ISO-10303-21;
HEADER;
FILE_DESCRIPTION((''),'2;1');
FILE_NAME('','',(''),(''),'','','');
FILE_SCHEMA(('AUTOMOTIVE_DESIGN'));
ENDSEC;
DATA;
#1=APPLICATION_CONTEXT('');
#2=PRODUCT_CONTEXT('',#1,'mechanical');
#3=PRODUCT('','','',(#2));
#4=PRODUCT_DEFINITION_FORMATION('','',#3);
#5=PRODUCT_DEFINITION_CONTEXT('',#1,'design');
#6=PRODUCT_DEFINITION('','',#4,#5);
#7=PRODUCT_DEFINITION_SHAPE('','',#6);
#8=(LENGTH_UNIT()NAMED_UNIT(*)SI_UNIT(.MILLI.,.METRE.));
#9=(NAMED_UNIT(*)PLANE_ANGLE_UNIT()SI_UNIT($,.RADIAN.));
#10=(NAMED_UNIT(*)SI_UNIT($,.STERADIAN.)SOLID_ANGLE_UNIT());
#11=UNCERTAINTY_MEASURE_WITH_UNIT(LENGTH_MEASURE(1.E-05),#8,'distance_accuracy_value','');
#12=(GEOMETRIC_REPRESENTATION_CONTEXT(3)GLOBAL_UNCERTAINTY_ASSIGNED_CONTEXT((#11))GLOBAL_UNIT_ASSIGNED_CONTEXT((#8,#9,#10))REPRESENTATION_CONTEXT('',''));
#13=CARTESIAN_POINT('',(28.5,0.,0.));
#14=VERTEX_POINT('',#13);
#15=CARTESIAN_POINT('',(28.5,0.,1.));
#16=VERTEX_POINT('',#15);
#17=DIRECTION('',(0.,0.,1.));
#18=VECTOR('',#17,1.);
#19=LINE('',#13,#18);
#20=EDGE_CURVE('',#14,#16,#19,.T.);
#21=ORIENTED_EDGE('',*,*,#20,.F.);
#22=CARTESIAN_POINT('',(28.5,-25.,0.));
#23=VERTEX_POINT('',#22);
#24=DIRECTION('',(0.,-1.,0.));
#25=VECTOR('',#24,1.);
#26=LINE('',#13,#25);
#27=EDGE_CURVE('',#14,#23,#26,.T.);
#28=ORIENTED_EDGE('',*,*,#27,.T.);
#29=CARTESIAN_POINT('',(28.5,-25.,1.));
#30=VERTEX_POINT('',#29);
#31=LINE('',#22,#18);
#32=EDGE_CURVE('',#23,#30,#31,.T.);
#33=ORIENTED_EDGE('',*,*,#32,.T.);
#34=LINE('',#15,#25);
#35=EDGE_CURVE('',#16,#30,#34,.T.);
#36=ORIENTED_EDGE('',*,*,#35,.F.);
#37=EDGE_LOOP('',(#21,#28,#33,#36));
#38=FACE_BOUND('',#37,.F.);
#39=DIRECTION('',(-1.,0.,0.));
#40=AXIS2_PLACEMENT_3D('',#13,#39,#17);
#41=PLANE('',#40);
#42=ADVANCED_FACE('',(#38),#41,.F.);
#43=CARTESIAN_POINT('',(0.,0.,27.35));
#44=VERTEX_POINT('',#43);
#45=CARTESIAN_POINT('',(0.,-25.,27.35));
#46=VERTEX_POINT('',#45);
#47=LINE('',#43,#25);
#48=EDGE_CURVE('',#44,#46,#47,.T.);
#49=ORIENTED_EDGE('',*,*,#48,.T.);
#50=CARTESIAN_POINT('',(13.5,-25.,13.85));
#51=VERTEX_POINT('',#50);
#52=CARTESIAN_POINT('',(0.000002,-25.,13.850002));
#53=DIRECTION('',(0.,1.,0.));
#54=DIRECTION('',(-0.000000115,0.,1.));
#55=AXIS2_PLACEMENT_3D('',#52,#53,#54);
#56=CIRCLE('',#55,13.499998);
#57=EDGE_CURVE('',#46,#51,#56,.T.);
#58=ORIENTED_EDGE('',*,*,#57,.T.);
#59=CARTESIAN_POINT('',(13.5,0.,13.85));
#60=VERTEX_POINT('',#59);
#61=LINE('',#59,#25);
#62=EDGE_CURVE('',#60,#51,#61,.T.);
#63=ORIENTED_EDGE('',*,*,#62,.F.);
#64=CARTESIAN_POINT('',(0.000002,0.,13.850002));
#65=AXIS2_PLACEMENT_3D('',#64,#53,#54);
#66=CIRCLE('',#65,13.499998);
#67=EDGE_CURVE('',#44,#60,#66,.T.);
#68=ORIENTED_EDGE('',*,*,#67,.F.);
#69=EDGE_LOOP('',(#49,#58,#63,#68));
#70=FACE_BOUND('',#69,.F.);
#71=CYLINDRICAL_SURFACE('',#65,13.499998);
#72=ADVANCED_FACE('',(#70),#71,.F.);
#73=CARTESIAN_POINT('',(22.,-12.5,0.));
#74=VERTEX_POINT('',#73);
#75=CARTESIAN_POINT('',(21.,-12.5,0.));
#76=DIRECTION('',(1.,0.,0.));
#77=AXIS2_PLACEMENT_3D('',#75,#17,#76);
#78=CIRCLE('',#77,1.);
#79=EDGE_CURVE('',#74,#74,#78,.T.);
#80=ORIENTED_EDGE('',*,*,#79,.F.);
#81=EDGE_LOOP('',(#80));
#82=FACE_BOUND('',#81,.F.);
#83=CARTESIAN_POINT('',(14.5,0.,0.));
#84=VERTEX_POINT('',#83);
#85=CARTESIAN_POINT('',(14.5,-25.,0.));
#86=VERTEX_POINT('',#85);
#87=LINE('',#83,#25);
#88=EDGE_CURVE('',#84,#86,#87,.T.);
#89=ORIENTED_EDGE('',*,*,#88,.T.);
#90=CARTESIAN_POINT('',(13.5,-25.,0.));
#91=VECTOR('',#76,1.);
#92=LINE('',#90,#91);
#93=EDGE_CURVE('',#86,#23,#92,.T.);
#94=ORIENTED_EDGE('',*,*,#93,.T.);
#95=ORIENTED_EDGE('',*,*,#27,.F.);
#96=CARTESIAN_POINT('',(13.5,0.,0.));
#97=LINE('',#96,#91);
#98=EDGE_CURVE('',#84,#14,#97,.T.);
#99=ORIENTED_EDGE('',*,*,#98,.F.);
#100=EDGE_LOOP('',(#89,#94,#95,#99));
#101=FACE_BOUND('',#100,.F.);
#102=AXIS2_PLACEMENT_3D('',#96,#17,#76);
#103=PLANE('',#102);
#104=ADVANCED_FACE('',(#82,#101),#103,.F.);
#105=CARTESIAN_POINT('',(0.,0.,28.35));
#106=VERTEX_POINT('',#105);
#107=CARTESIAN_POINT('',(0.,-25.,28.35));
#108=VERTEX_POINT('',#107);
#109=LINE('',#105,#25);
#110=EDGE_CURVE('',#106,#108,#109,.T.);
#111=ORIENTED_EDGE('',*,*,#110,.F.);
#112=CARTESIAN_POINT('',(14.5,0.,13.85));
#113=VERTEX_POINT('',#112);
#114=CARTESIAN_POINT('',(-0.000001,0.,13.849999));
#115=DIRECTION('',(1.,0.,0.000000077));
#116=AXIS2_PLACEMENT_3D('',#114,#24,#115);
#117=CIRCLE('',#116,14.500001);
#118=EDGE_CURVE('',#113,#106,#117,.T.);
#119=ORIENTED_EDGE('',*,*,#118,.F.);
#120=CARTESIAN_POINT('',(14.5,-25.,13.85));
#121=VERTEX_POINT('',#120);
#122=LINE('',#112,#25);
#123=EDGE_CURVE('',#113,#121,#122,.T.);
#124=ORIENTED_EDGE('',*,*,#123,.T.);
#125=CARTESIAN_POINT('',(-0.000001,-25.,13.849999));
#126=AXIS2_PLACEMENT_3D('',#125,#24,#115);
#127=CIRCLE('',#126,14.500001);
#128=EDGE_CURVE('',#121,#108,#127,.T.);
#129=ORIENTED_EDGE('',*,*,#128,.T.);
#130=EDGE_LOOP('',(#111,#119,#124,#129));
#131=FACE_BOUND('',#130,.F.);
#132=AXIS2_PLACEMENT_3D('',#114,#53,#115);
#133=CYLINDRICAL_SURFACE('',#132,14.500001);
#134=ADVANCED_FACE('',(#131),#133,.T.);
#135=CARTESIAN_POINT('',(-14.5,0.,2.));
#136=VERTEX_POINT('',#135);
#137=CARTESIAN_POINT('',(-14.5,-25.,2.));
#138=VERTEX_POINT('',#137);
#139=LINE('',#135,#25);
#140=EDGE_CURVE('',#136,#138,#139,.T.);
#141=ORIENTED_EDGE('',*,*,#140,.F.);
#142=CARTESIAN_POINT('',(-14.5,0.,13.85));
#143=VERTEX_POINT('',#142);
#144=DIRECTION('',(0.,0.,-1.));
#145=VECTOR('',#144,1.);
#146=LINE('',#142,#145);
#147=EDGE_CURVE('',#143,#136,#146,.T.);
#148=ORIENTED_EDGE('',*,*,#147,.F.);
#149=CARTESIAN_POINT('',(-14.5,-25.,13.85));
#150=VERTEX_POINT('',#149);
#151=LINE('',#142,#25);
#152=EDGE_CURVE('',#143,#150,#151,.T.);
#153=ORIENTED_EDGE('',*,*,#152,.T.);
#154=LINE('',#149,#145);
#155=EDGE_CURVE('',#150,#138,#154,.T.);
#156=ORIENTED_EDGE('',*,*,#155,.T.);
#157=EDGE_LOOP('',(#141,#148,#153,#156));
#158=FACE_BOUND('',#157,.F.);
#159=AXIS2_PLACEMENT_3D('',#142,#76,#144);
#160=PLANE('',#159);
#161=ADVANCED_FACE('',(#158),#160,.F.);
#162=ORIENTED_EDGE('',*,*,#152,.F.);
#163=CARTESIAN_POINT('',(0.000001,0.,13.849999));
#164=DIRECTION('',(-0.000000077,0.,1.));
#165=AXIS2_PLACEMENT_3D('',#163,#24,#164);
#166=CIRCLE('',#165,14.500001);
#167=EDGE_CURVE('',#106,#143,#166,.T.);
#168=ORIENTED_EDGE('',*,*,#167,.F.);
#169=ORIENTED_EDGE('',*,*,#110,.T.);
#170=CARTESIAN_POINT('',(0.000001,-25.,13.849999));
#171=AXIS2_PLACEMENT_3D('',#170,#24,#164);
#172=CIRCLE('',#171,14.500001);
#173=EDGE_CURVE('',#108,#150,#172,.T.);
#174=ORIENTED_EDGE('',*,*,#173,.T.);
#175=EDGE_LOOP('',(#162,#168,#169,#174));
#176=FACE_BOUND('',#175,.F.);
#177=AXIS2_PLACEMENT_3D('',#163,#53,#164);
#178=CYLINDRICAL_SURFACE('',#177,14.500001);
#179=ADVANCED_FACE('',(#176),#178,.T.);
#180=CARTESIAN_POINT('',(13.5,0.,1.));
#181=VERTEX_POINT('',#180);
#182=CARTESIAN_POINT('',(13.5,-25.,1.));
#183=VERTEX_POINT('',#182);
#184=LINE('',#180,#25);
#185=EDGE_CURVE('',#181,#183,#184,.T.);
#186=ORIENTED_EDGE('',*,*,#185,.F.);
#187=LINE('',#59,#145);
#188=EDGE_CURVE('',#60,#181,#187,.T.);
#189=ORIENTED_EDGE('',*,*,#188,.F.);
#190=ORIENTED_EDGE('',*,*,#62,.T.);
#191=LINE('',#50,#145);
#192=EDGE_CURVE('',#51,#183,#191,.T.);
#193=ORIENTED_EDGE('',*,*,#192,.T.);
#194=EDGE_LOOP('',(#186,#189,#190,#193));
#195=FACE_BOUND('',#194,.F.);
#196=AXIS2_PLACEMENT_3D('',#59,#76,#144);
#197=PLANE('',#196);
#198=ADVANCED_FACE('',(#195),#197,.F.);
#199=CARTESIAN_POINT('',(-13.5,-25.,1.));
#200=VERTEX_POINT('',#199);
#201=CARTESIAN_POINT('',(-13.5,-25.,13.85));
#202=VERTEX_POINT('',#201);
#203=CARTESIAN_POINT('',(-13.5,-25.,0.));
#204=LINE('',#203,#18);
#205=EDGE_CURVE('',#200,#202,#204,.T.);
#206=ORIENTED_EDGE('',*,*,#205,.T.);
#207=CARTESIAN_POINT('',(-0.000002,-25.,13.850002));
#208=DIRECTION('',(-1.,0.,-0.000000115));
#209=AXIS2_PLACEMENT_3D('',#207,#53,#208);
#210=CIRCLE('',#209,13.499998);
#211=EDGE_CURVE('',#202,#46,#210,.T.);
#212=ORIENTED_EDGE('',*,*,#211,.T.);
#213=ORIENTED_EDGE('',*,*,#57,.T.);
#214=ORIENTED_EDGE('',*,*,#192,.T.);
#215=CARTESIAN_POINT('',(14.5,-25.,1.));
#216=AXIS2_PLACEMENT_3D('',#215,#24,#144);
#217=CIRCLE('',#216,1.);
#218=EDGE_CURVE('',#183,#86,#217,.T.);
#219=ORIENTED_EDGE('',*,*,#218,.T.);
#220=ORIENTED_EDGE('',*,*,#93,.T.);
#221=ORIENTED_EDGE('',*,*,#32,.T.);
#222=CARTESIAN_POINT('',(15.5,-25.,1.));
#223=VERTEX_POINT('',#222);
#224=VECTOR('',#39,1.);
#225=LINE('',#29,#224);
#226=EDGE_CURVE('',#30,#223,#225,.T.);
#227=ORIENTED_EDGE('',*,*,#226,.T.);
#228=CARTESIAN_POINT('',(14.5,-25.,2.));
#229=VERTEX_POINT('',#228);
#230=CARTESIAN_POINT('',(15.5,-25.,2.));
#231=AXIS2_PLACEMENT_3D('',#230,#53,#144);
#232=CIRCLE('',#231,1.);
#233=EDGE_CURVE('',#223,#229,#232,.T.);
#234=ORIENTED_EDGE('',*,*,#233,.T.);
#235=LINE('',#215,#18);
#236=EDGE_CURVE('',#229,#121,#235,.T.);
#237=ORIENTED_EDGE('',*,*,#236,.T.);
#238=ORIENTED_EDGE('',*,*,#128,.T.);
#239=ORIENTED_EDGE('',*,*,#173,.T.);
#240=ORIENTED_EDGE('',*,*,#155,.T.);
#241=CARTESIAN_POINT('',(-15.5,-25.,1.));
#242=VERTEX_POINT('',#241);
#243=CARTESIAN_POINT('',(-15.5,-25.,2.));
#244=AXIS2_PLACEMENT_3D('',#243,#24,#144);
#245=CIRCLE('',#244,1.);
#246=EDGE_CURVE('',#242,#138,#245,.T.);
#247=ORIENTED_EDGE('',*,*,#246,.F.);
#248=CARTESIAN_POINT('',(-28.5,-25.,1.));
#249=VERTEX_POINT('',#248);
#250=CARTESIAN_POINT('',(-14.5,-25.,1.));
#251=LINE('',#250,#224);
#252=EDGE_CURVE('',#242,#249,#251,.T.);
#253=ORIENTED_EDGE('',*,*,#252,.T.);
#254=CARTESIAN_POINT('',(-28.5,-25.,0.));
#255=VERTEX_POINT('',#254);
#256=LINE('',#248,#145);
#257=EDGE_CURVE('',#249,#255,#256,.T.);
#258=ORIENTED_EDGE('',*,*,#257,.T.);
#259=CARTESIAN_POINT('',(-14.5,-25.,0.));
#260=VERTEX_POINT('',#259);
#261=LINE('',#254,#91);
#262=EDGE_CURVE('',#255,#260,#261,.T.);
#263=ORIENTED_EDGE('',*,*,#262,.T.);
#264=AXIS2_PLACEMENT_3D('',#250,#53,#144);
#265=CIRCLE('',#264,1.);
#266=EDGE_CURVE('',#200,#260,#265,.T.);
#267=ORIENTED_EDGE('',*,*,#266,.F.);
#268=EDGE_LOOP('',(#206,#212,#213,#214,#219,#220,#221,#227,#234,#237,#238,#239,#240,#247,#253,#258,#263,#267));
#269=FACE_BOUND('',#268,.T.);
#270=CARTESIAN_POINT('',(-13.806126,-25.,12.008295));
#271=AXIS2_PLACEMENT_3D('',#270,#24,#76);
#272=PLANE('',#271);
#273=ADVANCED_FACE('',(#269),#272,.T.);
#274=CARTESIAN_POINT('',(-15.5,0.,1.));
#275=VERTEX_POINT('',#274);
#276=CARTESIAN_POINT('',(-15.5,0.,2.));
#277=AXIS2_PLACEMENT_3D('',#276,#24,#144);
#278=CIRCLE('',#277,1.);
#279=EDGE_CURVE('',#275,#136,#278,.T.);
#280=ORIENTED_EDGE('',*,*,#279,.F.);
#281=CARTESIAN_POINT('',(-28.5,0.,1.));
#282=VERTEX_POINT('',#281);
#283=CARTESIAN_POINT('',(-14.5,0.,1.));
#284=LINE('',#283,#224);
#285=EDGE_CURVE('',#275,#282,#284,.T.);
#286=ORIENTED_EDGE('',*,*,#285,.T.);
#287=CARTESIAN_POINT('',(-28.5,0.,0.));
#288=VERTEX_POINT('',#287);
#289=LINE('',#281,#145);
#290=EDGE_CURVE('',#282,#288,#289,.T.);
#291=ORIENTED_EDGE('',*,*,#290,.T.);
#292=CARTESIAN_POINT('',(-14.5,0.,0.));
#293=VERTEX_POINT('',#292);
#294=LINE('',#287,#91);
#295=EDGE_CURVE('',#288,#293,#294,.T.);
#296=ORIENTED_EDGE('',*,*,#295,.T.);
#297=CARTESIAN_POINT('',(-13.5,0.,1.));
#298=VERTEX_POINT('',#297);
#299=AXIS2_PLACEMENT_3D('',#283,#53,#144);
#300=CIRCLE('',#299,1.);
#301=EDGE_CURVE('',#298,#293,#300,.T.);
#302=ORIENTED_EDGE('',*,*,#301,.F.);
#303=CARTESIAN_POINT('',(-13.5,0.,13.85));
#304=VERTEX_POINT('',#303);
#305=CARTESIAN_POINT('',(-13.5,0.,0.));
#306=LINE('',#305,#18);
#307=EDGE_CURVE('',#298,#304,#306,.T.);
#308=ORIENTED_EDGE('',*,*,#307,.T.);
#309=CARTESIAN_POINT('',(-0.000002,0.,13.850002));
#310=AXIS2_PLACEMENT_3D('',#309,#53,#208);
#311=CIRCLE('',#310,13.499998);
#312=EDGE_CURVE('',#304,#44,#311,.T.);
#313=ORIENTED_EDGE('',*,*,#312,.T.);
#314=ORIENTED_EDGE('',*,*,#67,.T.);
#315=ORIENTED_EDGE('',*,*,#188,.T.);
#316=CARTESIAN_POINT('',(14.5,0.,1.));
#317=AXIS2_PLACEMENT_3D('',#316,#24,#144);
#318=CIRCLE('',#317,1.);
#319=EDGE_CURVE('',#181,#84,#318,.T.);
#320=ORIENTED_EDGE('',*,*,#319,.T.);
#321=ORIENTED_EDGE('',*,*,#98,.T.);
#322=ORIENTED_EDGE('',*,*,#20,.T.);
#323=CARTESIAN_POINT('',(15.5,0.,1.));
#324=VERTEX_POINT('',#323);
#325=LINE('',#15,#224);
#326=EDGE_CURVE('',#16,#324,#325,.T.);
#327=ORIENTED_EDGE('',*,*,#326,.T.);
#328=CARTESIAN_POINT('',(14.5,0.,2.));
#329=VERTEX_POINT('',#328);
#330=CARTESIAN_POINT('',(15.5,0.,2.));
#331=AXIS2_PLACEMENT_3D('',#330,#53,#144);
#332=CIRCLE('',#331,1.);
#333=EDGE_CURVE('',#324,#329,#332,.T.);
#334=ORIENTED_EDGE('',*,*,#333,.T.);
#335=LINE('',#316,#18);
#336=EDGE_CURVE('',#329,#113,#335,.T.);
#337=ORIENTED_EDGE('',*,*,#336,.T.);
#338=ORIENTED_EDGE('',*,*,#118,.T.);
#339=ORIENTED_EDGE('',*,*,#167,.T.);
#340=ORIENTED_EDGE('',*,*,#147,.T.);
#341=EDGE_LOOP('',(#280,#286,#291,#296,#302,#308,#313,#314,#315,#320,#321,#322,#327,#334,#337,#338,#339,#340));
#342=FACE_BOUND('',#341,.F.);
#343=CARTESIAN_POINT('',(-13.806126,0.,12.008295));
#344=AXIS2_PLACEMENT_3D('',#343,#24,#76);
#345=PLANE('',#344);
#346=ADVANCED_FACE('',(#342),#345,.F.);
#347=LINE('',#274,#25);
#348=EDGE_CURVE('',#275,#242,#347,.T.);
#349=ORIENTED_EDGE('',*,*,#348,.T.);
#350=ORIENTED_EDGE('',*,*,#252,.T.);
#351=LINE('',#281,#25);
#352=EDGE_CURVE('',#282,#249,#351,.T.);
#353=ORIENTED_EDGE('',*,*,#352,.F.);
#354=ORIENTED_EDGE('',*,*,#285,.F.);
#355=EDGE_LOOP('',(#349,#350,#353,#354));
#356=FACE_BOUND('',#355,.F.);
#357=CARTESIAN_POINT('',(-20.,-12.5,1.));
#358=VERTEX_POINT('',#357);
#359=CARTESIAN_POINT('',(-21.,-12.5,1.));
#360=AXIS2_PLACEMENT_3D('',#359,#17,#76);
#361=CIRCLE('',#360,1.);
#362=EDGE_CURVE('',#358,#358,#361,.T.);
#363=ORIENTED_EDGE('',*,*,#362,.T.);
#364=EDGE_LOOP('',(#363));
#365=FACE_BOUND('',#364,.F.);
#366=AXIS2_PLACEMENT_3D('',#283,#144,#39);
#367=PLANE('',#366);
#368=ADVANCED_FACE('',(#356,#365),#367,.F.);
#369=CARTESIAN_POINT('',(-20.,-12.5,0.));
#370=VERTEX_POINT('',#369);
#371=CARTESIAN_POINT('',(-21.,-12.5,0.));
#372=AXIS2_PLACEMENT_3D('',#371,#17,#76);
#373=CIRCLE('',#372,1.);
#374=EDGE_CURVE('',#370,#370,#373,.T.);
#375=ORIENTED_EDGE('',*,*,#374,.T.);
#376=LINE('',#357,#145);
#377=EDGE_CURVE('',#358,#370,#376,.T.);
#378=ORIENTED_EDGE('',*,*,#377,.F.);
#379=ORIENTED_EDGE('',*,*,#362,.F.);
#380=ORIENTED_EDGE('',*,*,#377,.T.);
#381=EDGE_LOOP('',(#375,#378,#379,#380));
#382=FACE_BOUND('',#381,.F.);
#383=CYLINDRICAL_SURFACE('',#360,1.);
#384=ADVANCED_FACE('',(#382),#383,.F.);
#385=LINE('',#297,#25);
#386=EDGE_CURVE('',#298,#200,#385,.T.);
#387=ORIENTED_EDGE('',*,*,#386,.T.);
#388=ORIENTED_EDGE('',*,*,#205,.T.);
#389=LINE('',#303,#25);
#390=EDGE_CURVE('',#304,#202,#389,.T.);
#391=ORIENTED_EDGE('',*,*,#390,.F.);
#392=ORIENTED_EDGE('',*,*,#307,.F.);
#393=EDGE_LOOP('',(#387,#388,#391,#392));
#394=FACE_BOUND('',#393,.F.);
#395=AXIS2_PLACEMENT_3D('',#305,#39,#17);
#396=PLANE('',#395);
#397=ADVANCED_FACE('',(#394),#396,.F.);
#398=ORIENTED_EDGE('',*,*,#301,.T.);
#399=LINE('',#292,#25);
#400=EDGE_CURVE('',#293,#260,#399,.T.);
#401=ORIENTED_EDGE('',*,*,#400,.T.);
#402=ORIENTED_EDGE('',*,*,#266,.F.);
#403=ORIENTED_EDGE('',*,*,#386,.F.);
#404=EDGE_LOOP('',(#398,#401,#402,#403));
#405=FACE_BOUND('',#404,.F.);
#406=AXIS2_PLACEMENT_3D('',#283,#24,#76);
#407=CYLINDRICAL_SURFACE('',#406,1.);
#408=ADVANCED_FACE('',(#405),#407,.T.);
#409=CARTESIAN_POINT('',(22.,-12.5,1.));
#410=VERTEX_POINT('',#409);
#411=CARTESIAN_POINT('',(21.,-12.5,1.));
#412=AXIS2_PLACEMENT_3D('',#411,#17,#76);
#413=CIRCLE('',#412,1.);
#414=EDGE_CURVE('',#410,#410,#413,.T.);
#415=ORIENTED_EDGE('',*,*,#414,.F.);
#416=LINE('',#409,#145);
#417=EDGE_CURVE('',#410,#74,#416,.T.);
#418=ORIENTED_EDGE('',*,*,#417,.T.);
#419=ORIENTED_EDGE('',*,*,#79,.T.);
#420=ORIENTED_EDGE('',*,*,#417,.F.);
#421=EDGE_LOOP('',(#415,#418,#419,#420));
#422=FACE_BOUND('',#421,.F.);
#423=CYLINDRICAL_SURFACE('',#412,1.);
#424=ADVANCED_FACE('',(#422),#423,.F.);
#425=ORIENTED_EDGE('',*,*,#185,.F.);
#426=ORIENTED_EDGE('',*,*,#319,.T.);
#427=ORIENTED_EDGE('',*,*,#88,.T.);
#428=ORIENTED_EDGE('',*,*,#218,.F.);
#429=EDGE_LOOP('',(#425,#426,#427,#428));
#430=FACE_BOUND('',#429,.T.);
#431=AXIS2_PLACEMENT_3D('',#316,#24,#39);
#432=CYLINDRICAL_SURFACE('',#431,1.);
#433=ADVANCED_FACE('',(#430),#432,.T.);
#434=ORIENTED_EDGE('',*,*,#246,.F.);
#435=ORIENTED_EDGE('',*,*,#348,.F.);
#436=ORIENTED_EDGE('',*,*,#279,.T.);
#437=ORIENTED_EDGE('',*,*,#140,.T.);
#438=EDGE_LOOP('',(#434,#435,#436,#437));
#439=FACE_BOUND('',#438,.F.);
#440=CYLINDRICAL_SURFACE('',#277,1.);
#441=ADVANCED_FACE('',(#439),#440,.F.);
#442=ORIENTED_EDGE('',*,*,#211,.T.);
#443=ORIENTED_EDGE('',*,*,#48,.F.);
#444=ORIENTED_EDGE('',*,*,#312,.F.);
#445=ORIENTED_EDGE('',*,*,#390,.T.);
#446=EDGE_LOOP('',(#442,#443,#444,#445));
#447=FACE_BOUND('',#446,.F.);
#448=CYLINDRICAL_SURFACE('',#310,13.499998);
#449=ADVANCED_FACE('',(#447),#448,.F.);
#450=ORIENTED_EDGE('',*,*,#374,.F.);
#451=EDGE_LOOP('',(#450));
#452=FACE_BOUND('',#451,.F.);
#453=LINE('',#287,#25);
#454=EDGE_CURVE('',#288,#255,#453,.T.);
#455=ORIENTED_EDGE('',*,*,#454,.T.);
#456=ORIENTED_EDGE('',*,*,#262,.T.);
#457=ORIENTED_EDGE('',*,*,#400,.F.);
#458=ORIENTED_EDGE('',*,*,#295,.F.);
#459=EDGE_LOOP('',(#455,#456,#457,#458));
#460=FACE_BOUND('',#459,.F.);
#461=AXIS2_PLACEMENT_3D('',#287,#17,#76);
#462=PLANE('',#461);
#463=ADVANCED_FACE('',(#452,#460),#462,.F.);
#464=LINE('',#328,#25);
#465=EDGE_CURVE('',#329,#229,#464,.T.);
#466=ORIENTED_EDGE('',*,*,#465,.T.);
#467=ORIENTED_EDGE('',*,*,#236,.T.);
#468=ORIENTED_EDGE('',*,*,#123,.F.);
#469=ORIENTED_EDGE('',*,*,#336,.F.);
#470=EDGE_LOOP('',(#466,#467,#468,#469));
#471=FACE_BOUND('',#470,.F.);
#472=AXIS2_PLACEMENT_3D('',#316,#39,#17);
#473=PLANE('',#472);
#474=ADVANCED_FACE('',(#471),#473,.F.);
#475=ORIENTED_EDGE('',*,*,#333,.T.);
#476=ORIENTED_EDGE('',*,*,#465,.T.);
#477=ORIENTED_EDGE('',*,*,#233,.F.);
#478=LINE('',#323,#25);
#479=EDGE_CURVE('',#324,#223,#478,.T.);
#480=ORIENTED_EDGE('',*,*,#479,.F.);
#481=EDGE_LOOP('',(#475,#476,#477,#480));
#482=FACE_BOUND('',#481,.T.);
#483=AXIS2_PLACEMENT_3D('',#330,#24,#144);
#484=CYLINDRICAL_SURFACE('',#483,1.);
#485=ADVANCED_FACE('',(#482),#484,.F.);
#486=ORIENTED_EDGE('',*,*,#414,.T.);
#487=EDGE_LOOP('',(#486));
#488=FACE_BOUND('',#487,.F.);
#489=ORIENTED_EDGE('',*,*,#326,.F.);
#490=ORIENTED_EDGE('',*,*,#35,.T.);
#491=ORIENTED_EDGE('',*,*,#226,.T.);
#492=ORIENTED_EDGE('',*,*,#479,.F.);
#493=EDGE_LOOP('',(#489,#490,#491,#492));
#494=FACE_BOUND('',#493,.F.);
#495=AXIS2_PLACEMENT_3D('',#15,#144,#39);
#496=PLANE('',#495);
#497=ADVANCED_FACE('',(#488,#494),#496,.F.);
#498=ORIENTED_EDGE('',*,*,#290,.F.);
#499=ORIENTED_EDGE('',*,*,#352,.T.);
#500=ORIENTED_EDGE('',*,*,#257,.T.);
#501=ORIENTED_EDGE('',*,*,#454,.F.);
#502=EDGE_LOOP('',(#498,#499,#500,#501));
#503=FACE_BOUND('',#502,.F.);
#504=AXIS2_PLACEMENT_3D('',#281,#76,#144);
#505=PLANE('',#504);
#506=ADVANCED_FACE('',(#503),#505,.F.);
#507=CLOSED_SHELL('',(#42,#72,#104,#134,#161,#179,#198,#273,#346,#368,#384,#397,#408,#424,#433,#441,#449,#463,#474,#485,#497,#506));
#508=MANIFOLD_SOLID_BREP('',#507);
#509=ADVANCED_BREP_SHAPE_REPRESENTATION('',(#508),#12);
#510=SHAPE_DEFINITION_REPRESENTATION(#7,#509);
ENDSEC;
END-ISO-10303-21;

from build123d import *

# Parameters (mm, degrees)
F1_DEPTH = 25
F2_R     = 1
F3_DEPTH = 25
F4_R     = 1
F5_R     = 1


with BuildPart() as f1:
    # F0 (on Front) → F1 (new body)
    with BuildSketch(Plane.XZ):
        with BuildLine():
            ThreePointArc((-13.5, 13.85), (-9.545942, 23.395942), (0, 27.35))
            Line((0, 27.35), (0, 28.35))
            ThreePointArc((0, 28.35), (-10.253048, 24.103048), (-14.5, 13.85))
            Line((-14.5, 13.85), (-14.5, 1))
            Line((-14.5, 1), (-28.5, 1))
            Line((-28.5, 1), (-28.5, 0))
            Line((-28.5, 0), (-13.5, 0))
            Line((-13.5, 0), (-13.5, 13.85))
        make_face()
        with BuildLine():
            Line((0, 28.35), (0, 27.35))
            ThreePointArc((0, 27.35), (9.545942, 23.395942), (13.5, 13.85))
            Line((13.5, 13.85), (13.5, 0))
            Line((13.5, 0), (28.5, 0))
            Line((28.5, 0), (28.5, 1))
            Line((28.5, 1), (14.5, 1))
            Line((14.5, 1), (14.5, 13.85))
            ThreePointArc((14.5, 13.85), (10.253048, 24.103048), (0, 28.35))
        make_face()
    extrude(amount=F1_DEPTH)

    # F2 (on face) → F3 (cut)
    with BuildSketch(Plane.XY.offset(1)):
        with Locations((-21, -12.5)):
            Circle(F2_R)
        with Locations((21, -12.5)):
            Circle(F2_R)
    extrude(amount=-F3_DEPTH, mode=Mode.SUBTRACT)

    # F4
    f4_edges = [f1.edges().sort_by_distance(p)[0] for p in [
        (14.5, -12.5, 1),
        (13.5, -12.5, 0),
    ]]
    fillet(f4_edges, radius=F4_R)

    # F5
    f5_edges = [f1.edges().sort_by_distance(p)[0] for p in [
        (-14.5, -12.5, 1),
        (-13.5, -12.5, 0),
    ]]
    fillet(f5_edges, radius=F5_R)


solid = f1.part
